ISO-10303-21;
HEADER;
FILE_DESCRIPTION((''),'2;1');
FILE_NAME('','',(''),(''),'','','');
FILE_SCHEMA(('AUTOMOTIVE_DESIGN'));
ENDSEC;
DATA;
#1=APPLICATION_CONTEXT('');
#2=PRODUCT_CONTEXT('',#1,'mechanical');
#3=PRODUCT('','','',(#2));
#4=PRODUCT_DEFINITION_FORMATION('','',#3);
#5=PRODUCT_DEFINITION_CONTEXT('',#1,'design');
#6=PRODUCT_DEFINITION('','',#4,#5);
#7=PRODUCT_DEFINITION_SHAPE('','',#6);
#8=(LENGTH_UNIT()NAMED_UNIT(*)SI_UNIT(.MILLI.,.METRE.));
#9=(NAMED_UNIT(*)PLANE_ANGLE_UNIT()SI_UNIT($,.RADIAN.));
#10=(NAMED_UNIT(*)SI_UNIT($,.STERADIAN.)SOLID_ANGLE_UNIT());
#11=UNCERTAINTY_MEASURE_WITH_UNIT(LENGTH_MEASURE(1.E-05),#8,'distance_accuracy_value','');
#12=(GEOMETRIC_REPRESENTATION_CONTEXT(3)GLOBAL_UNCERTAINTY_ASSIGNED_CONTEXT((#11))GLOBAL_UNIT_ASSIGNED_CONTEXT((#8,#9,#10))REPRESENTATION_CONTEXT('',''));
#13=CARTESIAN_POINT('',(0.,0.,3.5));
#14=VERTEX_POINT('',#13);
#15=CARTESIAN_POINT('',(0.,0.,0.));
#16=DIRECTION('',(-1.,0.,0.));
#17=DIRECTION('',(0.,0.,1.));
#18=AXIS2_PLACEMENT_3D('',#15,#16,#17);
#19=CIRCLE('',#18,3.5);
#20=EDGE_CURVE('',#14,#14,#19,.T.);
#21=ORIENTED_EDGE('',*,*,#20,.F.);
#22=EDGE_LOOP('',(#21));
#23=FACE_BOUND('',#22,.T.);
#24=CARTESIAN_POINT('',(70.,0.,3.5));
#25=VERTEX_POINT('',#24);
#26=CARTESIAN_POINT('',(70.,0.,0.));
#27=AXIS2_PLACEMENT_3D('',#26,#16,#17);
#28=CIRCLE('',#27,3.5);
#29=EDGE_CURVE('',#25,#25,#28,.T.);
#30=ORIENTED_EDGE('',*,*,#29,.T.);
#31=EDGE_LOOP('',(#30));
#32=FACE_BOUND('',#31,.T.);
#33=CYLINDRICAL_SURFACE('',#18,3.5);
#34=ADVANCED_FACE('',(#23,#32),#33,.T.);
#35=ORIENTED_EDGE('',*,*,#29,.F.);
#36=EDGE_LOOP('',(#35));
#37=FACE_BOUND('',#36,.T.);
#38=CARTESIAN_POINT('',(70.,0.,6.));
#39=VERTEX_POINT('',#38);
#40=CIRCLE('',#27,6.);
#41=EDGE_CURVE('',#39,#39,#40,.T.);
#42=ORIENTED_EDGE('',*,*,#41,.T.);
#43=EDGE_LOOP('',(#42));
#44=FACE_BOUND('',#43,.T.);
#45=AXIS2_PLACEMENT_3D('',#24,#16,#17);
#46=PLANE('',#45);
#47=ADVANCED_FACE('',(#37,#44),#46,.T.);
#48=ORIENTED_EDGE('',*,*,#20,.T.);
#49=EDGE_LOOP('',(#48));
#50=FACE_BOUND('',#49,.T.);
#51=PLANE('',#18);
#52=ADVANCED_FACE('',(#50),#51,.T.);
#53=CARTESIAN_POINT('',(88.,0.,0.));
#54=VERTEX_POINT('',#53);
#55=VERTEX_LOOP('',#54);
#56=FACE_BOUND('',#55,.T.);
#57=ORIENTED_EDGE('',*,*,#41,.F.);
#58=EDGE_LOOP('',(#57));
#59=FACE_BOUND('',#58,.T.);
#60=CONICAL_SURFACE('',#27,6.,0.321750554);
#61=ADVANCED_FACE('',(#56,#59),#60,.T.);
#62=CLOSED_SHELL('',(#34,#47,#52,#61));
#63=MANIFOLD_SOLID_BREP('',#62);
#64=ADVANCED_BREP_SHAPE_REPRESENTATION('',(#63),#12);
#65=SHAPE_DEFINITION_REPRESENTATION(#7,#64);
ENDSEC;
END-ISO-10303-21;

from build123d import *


with BuildPart() as part:
    # 草图1 → 旋转2 (revolve)
    with BuildSketch(Plane(origin=(0, 0, 0), x_dir=(1, 0, 0), z_dir=(0, 1, 0))):
        Polygon((70, -6), (88, 0), (50, 0), (0, 0), (0, -3.5), (70, -3.5), align=None)
    revolve(axis=Axis((0, 0, 0), (1, 0, 0)))


solid = part.part
